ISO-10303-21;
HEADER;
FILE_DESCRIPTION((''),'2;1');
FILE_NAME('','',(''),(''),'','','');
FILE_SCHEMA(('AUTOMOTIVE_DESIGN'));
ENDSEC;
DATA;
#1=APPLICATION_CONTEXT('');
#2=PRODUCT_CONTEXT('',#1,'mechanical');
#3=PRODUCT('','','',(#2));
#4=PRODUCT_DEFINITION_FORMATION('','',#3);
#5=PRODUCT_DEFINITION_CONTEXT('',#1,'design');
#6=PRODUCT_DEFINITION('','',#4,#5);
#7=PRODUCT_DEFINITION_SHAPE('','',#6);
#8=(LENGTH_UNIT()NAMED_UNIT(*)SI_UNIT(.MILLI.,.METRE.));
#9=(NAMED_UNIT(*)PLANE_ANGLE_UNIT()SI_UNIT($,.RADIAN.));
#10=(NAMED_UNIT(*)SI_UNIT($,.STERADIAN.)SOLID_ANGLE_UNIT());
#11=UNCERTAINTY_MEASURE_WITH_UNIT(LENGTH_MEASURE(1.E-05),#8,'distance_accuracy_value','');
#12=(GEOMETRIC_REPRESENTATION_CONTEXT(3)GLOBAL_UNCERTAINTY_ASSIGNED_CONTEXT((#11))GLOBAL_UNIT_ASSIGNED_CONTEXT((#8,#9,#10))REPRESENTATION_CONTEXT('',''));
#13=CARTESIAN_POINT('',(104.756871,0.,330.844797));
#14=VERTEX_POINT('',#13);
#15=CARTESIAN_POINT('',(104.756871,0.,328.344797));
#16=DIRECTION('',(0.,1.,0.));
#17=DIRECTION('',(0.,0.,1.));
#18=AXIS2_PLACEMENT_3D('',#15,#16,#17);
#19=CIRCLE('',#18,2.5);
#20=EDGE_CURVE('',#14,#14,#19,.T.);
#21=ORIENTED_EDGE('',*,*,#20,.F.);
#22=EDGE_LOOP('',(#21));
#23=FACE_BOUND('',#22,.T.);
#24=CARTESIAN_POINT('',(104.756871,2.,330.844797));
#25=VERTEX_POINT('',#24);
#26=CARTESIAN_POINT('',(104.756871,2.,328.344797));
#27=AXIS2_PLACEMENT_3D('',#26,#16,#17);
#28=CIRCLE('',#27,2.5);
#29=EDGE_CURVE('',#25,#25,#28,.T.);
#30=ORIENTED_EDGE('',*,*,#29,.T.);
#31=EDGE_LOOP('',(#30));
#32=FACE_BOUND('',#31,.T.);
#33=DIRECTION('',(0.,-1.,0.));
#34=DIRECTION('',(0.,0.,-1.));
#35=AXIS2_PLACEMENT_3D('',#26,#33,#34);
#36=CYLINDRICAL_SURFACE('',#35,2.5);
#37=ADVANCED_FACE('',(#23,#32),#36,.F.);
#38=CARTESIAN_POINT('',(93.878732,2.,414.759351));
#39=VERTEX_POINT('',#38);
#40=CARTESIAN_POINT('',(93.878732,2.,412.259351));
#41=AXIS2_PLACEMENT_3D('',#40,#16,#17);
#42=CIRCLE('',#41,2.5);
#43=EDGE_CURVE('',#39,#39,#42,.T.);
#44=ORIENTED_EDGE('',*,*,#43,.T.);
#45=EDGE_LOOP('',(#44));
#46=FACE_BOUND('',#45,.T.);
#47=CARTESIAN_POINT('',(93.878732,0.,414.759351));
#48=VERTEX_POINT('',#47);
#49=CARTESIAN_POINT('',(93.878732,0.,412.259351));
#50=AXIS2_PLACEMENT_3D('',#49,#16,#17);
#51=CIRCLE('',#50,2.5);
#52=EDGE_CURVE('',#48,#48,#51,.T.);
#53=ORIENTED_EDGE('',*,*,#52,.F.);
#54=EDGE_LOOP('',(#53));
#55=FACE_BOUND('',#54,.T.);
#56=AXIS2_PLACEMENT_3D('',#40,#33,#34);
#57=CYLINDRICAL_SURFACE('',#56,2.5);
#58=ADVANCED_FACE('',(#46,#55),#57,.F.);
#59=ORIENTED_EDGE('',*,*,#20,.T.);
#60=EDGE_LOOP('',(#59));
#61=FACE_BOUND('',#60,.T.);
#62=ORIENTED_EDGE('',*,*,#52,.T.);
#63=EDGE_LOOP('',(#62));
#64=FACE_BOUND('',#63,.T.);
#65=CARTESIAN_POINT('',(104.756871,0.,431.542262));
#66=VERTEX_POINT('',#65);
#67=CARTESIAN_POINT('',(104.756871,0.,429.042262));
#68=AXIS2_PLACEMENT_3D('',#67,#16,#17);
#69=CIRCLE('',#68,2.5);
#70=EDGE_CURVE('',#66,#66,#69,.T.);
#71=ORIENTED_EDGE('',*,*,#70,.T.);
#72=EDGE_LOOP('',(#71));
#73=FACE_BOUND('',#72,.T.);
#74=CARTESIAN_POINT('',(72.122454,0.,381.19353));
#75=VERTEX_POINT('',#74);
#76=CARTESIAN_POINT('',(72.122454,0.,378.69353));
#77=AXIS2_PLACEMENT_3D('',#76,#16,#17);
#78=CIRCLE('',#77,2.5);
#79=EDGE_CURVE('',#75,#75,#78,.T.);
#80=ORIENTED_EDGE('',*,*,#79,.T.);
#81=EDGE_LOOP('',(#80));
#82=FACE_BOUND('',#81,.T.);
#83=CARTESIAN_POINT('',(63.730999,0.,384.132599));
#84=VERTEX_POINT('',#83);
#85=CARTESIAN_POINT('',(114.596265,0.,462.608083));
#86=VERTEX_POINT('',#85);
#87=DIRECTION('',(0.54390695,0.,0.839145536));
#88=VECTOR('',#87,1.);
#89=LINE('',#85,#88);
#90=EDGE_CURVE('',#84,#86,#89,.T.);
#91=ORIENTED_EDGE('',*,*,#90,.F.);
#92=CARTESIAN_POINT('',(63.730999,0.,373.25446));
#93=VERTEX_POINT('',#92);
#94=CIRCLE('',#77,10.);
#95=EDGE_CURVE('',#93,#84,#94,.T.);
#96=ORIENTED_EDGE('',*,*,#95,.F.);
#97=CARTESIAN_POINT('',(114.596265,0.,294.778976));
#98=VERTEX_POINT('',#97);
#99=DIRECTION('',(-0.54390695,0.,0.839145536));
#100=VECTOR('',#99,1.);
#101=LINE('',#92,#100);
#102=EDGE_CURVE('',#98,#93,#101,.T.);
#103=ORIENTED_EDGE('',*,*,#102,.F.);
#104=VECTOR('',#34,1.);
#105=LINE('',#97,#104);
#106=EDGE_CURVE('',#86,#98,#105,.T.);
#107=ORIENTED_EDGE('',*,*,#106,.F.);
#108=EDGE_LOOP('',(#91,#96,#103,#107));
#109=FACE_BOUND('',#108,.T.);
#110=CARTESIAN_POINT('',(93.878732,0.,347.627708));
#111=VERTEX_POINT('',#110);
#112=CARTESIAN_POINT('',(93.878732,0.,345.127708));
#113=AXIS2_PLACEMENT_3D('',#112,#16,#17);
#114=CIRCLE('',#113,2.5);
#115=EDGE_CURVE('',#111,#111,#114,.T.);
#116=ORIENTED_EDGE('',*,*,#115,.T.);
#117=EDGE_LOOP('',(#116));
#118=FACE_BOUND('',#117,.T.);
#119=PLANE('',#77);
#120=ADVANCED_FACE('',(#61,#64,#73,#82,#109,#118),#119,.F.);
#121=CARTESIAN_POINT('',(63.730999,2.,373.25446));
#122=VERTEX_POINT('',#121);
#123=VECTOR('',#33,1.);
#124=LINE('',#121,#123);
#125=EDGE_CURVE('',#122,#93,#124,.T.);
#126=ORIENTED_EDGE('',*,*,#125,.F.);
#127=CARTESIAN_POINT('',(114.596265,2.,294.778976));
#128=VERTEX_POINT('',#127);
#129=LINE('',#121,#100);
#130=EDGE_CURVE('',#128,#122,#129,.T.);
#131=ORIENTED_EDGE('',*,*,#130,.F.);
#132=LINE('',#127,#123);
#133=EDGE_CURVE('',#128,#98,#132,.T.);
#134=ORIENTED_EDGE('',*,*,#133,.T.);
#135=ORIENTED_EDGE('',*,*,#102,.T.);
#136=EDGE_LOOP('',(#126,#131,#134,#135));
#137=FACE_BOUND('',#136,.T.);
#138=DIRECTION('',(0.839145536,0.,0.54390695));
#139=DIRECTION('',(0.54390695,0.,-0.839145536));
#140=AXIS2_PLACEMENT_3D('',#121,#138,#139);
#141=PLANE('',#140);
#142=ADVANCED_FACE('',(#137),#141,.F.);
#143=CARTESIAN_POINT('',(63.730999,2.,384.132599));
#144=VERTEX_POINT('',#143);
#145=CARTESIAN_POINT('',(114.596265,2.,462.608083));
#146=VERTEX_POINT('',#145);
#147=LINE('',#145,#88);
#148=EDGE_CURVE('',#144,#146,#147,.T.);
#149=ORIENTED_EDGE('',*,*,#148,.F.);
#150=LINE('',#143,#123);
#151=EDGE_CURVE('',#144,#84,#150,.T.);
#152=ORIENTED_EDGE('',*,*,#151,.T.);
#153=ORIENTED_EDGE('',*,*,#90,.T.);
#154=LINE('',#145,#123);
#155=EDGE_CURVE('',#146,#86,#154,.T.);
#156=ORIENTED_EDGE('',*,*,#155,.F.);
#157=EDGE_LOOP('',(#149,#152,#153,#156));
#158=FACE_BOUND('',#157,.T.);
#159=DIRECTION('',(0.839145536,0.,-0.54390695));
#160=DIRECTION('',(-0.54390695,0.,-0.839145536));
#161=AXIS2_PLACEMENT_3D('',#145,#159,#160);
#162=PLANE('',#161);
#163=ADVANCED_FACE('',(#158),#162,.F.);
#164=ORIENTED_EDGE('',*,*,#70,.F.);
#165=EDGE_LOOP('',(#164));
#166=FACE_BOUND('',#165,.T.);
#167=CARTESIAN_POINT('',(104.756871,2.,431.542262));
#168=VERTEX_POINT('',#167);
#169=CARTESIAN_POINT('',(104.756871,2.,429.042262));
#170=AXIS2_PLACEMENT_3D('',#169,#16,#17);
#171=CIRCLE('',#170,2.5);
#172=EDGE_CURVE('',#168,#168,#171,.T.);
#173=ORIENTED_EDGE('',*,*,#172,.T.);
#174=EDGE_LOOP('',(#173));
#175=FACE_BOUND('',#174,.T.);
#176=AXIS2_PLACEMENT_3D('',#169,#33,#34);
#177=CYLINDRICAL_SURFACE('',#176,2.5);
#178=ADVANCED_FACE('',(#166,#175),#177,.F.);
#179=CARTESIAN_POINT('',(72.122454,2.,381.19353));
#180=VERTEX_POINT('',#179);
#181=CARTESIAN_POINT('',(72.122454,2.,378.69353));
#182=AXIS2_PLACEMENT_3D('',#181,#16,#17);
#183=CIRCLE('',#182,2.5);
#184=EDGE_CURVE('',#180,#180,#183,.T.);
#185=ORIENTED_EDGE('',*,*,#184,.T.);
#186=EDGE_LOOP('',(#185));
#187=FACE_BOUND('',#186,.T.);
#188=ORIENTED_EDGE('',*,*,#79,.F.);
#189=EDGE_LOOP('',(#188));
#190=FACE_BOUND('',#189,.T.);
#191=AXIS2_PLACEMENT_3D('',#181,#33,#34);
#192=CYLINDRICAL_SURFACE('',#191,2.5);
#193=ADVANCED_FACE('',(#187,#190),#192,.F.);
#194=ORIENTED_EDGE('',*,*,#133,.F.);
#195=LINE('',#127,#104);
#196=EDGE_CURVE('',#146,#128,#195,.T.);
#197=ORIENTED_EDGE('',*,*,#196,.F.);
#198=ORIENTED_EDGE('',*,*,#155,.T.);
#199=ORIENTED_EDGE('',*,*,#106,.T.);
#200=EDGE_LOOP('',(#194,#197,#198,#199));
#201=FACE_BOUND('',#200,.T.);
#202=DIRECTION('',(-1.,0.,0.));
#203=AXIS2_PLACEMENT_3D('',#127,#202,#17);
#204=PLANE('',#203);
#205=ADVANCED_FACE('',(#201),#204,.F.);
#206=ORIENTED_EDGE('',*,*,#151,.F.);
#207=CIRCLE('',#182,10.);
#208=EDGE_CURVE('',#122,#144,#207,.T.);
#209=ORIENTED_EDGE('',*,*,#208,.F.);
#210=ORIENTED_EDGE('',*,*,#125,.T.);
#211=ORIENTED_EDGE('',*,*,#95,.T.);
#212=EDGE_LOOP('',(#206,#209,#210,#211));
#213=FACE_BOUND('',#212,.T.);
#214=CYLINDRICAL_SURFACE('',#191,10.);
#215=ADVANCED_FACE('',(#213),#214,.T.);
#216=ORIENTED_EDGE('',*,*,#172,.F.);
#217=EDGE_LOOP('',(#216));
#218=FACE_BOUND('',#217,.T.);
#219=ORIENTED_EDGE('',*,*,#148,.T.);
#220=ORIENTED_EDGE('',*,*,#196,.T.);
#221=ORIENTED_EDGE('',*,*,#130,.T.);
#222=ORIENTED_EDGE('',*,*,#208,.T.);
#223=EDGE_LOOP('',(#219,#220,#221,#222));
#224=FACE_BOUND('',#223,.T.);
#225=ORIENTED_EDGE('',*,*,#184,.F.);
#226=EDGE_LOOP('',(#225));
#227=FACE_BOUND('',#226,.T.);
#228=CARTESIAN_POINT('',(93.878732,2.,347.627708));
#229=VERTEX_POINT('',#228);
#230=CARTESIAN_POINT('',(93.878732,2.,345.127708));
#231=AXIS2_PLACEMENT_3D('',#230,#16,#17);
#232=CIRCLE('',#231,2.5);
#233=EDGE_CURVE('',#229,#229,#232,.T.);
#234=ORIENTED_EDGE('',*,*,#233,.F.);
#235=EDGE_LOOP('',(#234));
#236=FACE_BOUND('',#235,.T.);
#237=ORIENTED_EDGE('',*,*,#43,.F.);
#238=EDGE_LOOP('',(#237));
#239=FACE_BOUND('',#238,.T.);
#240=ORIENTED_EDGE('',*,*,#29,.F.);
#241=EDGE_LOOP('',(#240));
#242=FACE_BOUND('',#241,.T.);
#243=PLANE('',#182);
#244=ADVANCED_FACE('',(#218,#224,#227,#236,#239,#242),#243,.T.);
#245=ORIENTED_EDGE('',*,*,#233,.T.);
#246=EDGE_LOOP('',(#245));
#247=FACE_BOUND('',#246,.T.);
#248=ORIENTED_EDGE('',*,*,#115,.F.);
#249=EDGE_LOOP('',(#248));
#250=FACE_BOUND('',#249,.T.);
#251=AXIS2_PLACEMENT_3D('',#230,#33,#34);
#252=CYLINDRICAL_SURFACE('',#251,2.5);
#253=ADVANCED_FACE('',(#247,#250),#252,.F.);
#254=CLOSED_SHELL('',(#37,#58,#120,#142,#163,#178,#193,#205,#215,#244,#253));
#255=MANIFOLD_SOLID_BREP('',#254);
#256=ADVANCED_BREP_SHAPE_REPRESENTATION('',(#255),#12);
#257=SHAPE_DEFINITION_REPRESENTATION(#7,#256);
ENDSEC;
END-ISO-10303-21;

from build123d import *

# Parameters (mm, degrees)
SKETCH1_R           = 2.5
BOSS_EXTRUDE1_DEPTH = 2


with BuildPart() as part:
    # Sketch1 → Boss-Extrude1 (new body)
    with BuildSketch(Plane(origin=(0, 0, 0), x_dir=(1, 0, 0), z_dir=(0, 1, 0))):
        with BuildLine():
            Line((63.73099869, -373.254460076), (114.596265016, -294.778975996))
            Line((114.596265016, -294.778975996), (114.596265016, -462.608083148))
            Line((114.596265016, -462.608083148), (63.73099869, -384.132599068))
            ThreePointArc((63.73099869, -384.132599068), (62.122454047, -378.693529572), (63.73099869, -373.254460076))
        make_face()
        with Locations((72.122454047, -378.693529572)):
            Circle(SKETCH1_R, mode=Mode.SUBTRACT)
        with Locations((93.878732031, -345.127708141)):
            Circle(SKETCH1_R, mode=Mode.SUBTRACT)
        with Locations((104.756871022, -328.344797426)):
            Circle(SKETCH1_R, mode=Mode.SUBTRACT)
        with Locations((93.878732031, -412.259351002)):
            Circle(SKETCH1_R, mode=Mode.SUBTRACT)
        with Locations((104.756871022, -429.042261718)):
            Circle(SKETCH1_R, mode=Mode.SUBTRACT)
    extrude(amount=BOSS_EXTRUDE1_DEPTH)


solid = part.part
